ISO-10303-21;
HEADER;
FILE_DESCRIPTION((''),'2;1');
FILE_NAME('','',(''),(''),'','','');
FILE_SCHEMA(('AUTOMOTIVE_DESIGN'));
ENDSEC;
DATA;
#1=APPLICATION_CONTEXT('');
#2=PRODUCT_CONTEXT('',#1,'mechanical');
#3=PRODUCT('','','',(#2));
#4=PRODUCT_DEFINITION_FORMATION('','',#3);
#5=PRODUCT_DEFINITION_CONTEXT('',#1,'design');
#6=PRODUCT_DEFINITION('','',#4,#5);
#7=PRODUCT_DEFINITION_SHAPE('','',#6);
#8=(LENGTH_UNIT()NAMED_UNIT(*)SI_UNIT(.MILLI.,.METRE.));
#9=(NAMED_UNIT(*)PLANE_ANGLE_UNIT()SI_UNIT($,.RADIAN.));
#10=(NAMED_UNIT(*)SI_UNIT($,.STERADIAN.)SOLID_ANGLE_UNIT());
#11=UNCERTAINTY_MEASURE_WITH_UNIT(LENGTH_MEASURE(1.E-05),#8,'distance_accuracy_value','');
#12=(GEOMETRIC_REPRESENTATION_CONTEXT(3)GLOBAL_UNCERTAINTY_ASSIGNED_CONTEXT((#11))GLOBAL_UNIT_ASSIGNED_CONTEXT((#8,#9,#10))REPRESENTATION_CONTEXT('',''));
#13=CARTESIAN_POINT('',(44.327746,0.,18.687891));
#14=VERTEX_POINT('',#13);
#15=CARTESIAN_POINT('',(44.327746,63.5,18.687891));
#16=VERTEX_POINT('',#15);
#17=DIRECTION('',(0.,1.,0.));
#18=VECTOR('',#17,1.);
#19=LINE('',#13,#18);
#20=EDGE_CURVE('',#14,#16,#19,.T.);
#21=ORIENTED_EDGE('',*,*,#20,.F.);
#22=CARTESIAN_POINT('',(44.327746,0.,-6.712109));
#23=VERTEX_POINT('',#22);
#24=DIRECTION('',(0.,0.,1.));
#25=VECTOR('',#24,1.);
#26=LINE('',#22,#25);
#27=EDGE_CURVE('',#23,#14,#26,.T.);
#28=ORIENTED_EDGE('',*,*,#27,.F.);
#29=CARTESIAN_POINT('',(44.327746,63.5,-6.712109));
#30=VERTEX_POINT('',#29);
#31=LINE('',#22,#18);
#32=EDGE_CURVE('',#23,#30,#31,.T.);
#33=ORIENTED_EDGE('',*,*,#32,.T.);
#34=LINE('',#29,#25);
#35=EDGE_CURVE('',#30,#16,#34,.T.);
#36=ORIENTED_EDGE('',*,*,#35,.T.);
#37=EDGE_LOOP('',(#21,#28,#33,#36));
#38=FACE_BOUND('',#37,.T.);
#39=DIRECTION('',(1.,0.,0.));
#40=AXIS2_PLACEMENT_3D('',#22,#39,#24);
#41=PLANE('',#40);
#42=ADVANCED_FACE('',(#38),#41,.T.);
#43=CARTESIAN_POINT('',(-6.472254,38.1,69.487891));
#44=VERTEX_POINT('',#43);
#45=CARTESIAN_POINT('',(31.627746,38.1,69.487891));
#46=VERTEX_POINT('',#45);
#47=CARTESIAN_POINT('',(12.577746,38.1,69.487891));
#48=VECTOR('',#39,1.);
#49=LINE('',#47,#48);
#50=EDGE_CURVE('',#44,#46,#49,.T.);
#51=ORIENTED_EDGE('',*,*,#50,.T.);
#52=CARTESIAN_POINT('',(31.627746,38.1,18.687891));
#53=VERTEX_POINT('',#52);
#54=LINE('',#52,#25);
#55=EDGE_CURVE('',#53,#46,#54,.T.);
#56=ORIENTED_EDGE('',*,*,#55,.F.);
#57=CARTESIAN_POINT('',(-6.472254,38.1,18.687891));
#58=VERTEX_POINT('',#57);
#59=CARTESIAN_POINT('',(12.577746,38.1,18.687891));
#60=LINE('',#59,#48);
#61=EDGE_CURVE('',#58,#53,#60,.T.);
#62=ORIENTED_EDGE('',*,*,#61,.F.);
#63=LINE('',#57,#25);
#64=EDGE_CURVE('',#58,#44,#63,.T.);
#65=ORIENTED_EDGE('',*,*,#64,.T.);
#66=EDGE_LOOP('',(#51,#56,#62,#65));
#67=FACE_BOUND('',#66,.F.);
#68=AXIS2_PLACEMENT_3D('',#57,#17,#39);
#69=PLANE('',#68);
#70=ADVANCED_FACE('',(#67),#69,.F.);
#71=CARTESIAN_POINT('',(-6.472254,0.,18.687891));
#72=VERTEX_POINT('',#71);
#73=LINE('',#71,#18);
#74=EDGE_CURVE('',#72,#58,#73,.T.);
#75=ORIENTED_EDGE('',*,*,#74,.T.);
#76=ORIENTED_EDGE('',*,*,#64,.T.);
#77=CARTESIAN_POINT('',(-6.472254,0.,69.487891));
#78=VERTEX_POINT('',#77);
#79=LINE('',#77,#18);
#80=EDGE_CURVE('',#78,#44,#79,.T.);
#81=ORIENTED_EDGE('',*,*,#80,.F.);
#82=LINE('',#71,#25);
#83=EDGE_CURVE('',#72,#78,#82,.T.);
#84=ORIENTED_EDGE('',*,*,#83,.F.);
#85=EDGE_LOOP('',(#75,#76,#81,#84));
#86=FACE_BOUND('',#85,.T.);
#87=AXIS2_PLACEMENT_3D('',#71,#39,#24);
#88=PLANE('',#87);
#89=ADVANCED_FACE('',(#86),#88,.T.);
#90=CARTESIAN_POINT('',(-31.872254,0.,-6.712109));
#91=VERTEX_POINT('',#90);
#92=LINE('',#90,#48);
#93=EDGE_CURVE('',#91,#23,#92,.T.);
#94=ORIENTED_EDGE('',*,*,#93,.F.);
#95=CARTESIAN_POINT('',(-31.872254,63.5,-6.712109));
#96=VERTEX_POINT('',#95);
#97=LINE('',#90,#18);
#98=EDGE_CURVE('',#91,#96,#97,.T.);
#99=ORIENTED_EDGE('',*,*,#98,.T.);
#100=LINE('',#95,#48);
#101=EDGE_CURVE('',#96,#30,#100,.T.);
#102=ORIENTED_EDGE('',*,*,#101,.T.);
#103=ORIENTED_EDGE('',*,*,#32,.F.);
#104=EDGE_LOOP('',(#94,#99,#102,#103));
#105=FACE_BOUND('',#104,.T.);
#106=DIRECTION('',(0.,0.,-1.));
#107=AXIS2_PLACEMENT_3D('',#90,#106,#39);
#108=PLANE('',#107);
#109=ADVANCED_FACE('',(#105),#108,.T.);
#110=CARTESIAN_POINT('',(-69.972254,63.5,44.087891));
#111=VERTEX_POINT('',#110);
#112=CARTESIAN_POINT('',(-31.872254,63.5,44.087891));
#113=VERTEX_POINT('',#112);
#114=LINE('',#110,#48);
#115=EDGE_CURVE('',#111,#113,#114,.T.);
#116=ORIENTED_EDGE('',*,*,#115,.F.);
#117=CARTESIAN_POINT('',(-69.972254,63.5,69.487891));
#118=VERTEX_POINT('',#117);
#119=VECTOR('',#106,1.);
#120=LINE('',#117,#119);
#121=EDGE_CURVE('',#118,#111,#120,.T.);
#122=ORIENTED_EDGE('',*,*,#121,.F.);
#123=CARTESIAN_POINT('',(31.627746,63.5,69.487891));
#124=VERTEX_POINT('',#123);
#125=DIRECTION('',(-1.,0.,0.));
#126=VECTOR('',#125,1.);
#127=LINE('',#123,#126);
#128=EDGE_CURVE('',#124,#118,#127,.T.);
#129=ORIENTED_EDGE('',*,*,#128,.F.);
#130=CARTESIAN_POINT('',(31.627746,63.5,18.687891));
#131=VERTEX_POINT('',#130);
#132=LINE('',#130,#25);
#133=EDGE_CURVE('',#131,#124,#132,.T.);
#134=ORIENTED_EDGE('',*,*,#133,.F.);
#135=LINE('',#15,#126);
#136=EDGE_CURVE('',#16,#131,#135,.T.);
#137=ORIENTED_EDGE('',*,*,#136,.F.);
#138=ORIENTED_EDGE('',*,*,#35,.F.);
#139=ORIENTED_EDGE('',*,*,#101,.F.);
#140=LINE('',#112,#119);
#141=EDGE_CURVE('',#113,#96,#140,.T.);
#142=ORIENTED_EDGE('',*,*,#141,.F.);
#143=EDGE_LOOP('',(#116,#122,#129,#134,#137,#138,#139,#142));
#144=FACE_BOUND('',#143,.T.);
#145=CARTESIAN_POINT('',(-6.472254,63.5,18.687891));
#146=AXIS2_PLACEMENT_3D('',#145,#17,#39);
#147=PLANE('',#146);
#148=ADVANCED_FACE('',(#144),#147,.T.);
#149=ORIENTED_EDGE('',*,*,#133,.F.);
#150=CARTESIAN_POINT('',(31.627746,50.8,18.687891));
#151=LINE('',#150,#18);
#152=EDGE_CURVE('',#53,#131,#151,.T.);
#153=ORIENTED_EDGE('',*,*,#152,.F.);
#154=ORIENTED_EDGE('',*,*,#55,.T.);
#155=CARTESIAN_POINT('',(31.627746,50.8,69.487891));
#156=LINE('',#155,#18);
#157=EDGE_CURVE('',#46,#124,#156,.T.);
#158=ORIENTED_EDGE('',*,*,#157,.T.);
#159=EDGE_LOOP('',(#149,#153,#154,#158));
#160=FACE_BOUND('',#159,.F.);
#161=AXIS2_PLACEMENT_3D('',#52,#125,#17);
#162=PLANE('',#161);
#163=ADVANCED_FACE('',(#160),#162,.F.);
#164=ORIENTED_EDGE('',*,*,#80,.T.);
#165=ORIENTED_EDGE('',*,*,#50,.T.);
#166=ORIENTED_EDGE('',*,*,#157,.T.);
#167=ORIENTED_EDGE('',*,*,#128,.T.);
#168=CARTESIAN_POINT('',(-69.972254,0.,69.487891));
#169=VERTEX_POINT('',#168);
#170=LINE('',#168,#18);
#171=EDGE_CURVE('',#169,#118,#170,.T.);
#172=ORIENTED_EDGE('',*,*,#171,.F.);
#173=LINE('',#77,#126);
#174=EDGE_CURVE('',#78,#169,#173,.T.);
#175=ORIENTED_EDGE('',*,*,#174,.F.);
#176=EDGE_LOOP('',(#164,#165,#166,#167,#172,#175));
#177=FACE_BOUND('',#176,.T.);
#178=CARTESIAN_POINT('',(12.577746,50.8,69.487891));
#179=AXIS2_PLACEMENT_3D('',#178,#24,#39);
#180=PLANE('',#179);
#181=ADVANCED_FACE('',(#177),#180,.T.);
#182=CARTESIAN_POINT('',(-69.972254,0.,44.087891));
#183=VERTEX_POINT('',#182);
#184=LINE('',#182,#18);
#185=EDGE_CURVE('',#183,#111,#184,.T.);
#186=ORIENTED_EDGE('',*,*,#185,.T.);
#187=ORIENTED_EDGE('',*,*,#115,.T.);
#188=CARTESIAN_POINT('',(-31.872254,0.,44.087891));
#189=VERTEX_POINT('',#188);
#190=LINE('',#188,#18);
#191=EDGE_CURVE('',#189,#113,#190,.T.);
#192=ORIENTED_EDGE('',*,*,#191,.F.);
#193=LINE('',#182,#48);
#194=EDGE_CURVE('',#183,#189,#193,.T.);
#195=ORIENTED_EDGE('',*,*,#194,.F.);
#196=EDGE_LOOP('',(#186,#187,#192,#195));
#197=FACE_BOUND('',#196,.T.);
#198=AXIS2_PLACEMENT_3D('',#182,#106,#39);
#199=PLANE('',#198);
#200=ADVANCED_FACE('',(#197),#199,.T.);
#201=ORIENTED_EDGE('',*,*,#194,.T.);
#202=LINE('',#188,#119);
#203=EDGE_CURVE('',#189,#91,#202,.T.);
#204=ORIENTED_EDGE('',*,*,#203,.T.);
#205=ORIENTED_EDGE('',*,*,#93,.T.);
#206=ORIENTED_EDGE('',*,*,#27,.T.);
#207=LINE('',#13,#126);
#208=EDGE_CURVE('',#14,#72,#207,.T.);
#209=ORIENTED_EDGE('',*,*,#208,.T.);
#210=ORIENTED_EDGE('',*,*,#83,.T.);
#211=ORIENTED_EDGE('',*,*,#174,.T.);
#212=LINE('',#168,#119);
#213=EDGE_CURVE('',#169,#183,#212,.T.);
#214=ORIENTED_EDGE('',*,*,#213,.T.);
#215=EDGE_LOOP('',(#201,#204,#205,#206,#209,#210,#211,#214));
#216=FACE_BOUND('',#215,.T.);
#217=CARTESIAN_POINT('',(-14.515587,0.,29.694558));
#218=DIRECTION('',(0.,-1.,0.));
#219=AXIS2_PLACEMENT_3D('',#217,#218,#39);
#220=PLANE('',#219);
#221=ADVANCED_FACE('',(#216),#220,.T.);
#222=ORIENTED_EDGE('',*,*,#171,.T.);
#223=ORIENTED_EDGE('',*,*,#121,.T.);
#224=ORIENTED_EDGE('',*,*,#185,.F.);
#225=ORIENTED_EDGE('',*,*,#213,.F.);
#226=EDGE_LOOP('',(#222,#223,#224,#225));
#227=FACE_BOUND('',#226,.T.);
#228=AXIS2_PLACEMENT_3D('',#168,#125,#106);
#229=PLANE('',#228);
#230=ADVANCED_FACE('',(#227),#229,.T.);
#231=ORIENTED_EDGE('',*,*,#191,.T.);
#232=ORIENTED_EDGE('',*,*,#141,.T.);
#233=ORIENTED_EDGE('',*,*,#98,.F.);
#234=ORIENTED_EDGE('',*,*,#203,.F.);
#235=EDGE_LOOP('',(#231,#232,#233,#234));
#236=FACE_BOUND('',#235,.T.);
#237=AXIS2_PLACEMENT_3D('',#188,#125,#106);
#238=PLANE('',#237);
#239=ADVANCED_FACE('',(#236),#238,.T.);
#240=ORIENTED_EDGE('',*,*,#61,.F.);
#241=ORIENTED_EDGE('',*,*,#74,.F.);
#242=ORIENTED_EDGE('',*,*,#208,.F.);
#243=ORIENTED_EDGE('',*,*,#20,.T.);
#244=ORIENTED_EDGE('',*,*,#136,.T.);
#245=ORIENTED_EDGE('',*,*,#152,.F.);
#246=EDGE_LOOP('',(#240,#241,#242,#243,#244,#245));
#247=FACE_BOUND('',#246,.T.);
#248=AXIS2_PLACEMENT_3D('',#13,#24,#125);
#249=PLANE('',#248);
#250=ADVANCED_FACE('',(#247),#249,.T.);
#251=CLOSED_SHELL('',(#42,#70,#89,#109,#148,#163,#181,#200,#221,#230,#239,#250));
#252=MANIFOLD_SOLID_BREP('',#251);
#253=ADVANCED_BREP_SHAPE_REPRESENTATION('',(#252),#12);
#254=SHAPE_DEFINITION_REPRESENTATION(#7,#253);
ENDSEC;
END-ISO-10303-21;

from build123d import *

# Parameters (mm, degrees)
F1_DEPTH = 63.5
F2_W     = 38.1
F2_H     = 25.4
F3_DEPTH = 50.8


with BuildPart() as f1:
    # F0 (on Front) → F1 (new body)
    with BuildSketch(Plane.XZ):
        Polygon((-31.872254, 44.087891), (-31.872254, -6.712109), (44.327746, -6.712109), (44.327746, 18.687891), (-6.472254, 18.687891), (-6.472254, 69.487891), (-69.972254, 69.487891), (-69.972254, 44.087891), align=None)
    extrude(amount=-F1_DEPTH)

    # F2 (on face) → F3 (join)
    with BuildSketch(Plane.XY.offset(18.687891)):
        with Locations((12.577746, 50.8)):
            Rectangle(F2_W, F2_H)
    extrude(amount=F3_DEPTH)


solid = f1.part
